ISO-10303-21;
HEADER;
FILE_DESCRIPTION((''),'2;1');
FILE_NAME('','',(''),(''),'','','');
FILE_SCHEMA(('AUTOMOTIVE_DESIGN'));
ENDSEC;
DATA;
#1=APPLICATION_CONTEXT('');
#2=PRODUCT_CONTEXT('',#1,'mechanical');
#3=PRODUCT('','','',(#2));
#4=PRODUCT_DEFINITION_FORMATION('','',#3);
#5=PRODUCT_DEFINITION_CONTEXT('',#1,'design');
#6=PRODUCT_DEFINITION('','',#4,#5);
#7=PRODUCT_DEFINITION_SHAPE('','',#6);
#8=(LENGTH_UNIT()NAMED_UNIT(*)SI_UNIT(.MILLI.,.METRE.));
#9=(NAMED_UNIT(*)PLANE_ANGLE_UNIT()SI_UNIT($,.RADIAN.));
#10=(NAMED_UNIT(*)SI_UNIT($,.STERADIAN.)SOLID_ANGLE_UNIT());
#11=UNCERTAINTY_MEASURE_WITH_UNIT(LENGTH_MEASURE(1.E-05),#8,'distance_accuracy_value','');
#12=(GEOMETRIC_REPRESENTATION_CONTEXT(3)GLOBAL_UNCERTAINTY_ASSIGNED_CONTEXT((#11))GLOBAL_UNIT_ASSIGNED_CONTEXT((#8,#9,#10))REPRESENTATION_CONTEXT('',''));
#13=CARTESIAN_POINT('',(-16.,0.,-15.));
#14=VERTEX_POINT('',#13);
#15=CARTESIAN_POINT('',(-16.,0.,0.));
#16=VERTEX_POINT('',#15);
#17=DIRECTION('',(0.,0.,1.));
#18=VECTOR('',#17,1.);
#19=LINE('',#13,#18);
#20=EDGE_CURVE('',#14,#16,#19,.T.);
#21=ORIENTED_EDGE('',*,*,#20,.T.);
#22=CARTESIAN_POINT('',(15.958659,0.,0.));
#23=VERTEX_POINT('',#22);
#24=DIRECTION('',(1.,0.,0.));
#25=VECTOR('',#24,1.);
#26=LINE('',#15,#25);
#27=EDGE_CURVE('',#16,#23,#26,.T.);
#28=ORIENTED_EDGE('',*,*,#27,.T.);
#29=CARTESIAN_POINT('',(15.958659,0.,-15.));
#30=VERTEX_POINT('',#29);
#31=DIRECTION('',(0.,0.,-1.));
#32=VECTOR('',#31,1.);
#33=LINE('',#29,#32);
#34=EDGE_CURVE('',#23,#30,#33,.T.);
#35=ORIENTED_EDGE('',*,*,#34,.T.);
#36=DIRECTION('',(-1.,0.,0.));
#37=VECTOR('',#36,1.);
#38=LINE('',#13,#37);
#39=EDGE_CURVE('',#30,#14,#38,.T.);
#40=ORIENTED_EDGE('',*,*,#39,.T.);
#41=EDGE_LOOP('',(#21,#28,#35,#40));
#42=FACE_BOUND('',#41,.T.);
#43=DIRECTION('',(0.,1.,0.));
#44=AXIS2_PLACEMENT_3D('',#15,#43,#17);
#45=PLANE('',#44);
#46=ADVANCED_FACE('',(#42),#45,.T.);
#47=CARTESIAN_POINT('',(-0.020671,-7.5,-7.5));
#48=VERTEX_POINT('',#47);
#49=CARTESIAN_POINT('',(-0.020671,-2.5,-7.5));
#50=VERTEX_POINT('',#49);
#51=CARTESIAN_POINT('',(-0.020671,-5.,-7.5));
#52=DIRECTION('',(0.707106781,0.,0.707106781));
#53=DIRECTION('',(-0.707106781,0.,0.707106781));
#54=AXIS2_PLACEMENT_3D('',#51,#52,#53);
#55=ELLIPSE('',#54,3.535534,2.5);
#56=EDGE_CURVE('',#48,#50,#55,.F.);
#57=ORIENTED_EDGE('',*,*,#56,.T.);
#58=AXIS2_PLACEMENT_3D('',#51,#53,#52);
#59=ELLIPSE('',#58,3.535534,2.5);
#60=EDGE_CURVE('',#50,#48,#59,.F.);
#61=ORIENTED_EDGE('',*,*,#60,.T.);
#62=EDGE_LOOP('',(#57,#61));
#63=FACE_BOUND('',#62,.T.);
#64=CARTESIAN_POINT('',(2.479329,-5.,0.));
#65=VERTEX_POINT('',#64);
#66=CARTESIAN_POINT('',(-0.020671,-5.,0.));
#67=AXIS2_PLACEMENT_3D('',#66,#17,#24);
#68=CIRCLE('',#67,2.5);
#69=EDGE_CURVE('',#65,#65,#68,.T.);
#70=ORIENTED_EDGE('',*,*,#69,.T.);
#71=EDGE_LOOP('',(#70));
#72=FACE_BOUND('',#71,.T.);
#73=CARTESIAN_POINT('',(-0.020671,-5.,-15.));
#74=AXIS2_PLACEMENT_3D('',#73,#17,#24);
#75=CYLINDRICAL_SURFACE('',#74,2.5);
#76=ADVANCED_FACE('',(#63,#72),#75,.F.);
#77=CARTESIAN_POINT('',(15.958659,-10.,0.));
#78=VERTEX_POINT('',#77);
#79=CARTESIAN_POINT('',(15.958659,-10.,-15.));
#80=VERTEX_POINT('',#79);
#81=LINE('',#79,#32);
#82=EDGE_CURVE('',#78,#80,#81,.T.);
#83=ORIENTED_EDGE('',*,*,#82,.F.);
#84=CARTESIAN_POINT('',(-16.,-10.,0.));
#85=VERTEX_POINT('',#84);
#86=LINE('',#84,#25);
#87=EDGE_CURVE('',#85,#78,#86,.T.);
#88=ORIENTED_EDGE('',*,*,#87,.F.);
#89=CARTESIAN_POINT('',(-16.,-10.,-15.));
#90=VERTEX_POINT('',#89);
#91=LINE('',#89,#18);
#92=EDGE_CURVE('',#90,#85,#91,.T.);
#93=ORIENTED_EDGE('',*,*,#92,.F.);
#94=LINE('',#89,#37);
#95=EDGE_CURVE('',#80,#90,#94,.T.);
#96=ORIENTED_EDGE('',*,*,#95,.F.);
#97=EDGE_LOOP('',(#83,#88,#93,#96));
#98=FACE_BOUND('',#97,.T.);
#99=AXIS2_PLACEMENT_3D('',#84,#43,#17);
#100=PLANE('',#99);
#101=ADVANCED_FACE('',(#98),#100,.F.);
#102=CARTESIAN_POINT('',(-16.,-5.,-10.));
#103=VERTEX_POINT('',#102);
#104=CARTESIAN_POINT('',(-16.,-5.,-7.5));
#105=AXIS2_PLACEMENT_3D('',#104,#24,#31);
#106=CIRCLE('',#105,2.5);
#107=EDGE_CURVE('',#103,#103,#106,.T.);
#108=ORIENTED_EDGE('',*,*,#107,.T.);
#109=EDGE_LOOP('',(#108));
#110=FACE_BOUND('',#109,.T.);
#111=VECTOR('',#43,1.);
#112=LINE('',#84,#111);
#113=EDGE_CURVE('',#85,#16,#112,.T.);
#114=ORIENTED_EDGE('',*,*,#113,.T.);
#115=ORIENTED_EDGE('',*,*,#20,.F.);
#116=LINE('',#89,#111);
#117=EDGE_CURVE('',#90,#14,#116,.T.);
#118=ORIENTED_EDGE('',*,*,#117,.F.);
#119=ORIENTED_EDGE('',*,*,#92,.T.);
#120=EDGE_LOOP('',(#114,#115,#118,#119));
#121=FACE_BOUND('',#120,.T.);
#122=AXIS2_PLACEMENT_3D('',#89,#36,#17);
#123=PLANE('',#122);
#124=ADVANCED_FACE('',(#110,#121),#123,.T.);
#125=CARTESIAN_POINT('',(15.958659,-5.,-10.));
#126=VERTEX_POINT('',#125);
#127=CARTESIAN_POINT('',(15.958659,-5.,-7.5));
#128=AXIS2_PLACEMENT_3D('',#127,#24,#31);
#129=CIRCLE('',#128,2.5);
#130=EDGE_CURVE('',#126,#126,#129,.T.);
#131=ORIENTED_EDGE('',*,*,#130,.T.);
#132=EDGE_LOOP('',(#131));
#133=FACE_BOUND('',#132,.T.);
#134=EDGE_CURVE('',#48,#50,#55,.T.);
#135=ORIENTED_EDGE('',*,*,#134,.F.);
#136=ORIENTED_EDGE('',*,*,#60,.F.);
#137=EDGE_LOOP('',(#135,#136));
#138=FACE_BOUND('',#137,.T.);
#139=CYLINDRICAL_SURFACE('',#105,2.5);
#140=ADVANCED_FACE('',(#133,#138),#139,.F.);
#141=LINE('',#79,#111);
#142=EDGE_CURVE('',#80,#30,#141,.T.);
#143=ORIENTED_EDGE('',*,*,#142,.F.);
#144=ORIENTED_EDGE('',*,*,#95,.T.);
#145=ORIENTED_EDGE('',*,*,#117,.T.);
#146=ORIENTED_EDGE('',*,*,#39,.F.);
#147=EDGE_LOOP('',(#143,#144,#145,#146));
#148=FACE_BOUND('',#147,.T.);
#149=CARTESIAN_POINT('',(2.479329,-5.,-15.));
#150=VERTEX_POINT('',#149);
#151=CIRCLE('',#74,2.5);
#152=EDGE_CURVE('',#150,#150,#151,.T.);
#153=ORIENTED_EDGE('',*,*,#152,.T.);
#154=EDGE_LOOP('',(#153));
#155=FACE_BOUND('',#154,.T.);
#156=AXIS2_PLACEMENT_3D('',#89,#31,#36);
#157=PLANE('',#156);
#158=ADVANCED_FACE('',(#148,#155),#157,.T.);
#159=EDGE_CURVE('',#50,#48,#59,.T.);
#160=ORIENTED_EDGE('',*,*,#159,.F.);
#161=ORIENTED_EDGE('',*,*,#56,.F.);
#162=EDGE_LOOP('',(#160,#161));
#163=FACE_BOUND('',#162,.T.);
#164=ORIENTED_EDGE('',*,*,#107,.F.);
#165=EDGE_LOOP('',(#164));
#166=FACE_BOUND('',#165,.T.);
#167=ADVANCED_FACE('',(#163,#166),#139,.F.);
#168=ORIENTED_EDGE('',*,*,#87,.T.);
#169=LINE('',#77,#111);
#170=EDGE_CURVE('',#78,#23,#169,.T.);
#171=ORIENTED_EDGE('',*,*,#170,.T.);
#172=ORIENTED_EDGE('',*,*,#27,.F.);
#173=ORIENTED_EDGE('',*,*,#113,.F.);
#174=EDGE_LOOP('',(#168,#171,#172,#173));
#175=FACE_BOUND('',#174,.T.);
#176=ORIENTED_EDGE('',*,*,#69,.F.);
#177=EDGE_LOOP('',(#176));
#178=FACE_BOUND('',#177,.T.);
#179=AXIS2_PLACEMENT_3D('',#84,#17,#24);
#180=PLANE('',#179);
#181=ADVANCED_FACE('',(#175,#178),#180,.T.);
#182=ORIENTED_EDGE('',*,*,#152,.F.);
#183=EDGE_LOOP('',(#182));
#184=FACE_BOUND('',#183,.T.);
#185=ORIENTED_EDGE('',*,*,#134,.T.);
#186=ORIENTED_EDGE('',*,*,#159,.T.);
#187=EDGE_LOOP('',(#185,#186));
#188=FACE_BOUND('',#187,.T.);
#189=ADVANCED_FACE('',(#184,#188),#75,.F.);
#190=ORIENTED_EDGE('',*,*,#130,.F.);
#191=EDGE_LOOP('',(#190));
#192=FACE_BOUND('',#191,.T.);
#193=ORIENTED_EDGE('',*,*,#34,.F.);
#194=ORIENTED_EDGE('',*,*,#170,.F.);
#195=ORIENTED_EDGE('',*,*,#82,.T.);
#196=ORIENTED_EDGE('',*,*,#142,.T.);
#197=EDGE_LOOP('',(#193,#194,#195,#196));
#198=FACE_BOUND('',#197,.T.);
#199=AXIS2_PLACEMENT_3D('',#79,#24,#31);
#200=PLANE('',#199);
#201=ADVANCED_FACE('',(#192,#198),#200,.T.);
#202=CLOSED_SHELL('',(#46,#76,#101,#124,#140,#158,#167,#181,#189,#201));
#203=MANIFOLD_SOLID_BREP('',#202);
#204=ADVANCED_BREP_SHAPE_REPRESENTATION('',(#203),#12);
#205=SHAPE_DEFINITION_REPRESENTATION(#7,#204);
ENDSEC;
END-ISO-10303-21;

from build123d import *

# Parameters (mm, degrees)
SCHIZZO1_W                   = 31.958658916
SCHIZZO1_H                   = 15
ESTRUSIONE_ESTRUSIONE1_DEPTH = 10
SCHIZZO4_R                   = 2.5
TAGLIO_ESTRUSIONE1_DEPTH     = 25.103941586
SCHIZZO5_R                   = 2.5
TAGLIO_ESTRUSIONE2_DEPTH     = 37.692722435


with BuildPart() as part:
    # Schizzo1 → Estrusione-Estrusione1 (new body)
    with BuildSketch(Plane(origin=(0, 0, 0), x_dir=(1, 0, 0), z_dir=(0, 1, 0))):
        with Locations((-0.020670542, 7.5)):
            Rectangle(SCHIZZO1_W, SCHIZZO1_H)
    extrude(amount=-ESTRUSIONE_ESTRUSIONE1_DEPTH)

    # Schizzo4 → Taglio-Estrusione1 (cut, through all)
    with BuildSketch(Plane.XY):
        with Locations((-0.020670542, -5)):
            Circle(SCHIZZO4_R)
    extrude(amount=-TAGLIO_ESTRUSIONE1_DEPTH, mode=Mode.SUBTRACT)

    # Schizzo5 → Taglio-Estrusione2 (cut, through all)
    with BuildSketch(Plane(origin=(15.958658916, 0, 0), x_dir=(0, 0, -1), z_dir=(1, 0, 0))):
        with Locations((7.5, -5)):
            Circle(SCHIZZO5_R)
    extrude(amount=-TAGLIO_ESTRUSIONE2_DEPTH, mode=Mode.SUBTRACT)


solid = part.part
